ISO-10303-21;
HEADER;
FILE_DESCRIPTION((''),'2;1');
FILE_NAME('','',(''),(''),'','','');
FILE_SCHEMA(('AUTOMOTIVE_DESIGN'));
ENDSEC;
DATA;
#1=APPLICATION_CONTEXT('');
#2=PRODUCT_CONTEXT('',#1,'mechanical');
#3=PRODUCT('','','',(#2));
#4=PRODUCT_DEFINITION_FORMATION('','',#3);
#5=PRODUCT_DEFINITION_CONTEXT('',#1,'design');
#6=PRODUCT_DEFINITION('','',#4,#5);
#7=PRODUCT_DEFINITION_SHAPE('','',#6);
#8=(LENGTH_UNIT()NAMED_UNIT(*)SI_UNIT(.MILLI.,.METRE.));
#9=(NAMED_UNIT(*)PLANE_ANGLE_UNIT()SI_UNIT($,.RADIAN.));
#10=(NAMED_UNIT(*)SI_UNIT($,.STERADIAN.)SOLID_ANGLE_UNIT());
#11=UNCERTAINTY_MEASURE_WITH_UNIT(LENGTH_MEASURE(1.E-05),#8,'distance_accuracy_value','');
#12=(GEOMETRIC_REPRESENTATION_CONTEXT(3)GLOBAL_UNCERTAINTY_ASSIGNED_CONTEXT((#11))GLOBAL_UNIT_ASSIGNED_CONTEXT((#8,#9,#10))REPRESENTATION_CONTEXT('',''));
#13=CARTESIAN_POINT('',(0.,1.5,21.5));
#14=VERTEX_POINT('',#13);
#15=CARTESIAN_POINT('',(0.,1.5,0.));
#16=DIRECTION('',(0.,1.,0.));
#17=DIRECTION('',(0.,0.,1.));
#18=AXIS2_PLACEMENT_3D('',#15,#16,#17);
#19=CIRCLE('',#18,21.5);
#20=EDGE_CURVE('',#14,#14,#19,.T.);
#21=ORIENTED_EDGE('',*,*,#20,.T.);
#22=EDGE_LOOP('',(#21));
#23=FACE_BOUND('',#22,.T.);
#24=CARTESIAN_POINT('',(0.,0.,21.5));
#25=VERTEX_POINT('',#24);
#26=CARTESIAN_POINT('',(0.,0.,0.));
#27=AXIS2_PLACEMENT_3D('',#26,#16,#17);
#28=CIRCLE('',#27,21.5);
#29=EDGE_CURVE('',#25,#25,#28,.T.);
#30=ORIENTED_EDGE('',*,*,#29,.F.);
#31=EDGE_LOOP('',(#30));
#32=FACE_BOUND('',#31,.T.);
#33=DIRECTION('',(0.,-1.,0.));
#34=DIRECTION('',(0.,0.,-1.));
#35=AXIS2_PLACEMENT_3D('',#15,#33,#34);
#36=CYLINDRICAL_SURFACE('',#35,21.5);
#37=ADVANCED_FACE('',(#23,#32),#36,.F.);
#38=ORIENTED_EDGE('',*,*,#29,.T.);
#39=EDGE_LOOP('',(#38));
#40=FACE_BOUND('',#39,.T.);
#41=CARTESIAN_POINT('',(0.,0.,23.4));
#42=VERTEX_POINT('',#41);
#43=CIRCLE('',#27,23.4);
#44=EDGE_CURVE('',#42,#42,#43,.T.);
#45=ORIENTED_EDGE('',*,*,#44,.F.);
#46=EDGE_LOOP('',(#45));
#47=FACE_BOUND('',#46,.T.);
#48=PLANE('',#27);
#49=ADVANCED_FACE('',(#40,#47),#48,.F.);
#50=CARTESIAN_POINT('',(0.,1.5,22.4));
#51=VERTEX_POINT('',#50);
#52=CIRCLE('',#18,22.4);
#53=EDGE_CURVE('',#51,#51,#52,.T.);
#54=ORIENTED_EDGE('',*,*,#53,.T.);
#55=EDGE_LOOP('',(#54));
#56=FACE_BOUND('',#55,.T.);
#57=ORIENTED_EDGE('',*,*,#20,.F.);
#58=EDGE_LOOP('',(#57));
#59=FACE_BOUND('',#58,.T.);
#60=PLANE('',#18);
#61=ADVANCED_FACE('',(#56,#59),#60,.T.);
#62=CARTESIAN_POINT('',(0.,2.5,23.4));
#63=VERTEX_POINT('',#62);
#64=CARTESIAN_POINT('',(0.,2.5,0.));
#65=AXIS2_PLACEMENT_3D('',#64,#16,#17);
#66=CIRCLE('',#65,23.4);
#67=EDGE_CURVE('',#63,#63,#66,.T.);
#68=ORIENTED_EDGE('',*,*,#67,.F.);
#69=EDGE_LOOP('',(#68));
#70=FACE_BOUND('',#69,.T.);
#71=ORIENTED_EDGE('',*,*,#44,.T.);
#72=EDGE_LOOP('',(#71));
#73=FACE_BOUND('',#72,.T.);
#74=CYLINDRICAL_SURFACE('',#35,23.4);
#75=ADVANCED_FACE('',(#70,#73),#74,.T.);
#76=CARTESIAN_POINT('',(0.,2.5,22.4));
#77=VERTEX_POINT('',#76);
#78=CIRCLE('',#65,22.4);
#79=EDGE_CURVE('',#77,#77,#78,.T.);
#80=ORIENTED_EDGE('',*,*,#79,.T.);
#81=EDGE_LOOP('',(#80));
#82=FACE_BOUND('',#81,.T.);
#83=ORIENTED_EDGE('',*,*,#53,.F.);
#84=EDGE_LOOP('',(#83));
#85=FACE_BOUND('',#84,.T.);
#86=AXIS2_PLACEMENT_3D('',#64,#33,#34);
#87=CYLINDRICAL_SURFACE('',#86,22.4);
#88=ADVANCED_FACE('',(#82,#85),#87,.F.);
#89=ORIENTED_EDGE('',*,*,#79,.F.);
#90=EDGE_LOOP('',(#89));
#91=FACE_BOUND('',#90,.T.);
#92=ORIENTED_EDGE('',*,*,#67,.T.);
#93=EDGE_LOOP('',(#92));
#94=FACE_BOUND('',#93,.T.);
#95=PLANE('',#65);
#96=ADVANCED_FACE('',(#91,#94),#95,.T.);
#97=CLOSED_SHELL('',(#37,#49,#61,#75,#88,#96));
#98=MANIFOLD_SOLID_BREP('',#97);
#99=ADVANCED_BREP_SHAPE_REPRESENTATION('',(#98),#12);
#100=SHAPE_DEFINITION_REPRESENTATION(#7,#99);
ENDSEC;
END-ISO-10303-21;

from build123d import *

# Parameters (mm, degrees)
SKETCH1_R           = 23.4
SKETCH1_R_2         = 21.5
BOSS_EXTRUDE1_DEPTH = 1.5
SKETCH2_R           = 23.4
SKETCH2_R_2         = 22.4
BOSS_EXTRUDE2_DEPTH = 1


with BuildPart() as part:
    # Sketch1 → Boss-Extrude1 (new body)
    with BuildSketch(Plane(origin=(0, 0, 0), x_dir=(1, 0, 0), z_dir=(0, 1, 0))):
        Circle(SKETCH1_R)
        Circle(SKETCH1_R_2, mode=Mode.SUBTRACT)
    extrude(amount=BOSS_EXTRUDE1_DEPTH)

    # Sketch2 → Boss-Extrude2 (add)
    with BuildSketch(Plane(origin=(0, 1.5, 0), x_dir=(1, 0, 0), z_dir=(0, 1, 0))):
        Circle(SKETCH2_R)
        Circle(SKETCH2_R_2, mode=Mode.SUBTRACT)
    extrude(amount=BOSS_EXTRUDE2_DEPTH)


solid = part.part
